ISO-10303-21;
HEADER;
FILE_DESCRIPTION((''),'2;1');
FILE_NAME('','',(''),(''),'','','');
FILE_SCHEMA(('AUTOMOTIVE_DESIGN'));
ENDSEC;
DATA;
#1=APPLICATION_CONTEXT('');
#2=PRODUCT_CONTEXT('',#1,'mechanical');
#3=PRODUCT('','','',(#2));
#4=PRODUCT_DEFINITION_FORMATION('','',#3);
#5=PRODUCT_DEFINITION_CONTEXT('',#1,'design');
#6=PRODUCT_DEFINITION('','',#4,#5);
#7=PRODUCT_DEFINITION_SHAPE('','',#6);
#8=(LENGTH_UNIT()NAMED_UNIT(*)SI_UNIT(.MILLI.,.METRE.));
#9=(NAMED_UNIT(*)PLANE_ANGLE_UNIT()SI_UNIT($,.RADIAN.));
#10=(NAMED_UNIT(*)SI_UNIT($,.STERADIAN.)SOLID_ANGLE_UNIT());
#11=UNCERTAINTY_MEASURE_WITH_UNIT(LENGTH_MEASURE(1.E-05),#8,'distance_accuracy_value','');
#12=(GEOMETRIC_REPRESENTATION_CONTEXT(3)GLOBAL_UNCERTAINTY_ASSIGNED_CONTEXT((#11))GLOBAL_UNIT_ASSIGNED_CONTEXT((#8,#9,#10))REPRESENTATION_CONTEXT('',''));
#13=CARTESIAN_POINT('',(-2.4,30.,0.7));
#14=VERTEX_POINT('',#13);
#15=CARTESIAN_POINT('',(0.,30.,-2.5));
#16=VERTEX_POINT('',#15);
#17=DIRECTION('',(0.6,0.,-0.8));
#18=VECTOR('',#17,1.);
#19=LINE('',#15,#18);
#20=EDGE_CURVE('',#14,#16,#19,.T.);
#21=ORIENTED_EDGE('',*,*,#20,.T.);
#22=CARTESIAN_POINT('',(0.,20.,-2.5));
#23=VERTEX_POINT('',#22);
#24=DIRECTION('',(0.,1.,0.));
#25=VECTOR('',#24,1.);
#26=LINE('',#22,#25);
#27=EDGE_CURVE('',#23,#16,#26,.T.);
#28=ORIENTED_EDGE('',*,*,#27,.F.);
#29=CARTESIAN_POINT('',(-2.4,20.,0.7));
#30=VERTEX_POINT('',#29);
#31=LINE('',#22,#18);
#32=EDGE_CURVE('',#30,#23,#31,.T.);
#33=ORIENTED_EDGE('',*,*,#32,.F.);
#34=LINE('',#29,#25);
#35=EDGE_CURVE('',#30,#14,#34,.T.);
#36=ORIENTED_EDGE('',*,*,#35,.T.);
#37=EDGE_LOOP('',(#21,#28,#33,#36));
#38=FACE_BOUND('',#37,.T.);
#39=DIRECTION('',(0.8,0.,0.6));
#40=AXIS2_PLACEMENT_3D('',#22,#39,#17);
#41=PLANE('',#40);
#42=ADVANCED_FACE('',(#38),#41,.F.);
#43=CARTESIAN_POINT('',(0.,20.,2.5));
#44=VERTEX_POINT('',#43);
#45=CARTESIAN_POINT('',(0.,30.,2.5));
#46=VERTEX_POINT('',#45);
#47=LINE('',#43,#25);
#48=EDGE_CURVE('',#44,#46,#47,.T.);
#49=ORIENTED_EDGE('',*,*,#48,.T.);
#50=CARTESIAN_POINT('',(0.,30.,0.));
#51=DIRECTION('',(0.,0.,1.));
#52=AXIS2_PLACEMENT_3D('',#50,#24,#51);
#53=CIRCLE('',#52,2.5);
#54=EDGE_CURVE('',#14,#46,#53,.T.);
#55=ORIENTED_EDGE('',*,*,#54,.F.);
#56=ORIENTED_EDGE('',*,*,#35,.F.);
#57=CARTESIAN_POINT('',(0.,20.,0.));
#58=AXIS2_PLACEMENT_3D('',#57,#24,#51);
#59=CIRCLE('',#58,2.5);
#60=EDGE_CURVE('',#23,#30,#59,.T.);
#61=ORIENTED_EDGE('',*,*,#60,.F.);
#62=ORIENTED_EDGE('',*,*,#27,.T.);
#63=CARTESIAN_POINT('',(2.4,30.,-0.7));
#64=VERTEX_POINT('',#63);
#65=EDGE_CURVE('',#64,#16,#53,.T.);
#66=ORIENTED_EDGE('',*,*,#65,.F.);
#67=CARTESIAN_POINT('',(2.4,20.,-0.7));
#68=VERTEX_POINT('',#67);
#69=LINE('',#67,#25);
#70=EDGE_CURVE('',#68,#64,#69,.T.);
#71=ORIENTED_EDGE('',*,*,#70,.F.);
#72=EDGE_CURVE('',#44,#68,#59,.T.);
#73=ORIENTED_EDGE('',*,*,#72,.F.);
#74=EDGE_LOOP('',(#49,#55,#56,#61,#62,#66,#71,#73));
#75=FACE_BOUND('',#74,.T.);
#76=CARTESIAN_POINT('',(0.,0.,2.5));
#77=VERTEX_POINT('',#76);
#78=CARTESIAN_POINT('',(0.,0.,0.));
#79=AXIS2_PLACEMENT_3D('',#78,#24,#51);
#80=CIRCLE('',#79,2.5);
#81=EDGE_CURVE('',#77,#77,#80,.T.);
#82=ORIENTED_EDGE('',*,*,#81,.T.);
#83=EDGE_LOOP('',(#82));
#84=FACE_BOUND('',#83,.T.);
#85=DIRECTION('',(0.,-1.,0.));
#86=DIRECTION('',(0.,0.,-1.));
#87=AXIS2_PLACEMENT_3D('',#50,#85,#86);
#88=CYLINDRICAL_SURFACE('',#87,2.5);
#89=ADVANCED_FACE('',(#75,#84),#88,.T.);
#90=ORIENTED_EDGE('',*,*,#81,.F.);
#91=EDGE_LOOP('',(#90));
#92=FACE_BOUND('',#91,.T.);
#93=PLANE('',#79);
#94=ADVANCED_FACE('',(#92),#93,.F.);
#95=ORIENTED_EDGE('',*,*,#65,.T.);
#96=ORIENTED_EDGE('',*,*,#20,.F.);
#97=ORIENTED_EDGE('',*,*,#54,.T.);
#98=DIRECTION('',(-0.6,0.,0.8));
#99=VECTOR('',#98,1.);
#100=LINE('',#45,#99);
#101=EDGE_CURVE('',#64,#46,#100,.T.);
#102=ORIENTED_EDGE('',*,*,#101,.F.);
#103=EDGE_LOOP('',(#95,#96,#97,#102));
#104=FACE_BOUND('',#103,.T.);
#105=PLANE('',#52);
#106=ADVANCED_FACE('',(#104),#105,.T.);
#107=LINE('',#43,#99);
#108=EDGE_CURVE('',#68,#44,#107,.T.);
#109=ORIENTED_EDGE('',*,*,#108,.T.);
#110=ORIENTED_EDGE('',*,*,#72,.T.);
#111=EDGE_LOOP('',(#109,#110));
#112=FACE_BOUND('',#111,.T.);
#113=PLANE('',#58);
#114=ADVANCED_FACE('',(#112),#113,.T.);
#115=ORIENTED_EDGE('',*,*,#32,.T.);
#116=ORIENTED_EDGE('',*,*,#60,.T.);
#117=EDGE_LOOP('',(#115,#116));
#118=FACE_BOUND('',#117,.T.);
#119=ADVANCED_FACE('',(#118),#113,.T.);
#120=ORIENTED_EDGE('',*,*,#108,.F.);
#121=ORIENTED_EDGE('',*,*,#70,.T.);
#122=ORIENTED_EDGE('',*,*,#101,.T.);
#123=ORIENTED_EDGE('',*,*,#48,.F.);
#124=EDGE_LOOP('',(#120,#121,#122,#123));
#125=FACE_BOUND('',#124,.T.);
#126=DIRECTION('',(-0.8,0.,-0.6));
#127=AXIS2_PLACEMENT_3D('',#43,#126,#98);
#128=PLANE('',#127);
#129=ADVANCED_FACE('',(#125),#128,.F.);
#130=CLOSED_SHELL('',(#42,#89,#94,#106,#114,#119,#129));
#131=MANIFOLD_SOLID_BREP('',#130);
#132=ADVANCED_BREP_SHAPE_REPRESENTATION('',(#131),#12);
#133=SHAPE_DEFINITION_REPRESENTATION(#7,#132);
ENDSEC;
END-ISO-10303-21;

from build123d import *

# Parameters (mm, degrees)
SKETCH1_R           = 2.5
BOSS_EXTRUDE1_DEPTH = 30
CUT_EXTRUDE1_START  = -10
CUT_EXTRUDE1_DEPTH  = 10


with BuildPart() as part:
    # Sketch1 → Boss-Extrude1 (new body)
    with BuildSketch(Plane(origin=(0, 0, 0), x_dir=(1, 0, 0), z_dir=(0, 1, 0))):
        with Locations(Location((0, 0, 0), (0, 0, 270))):
            Circle(SKETCH1_R)
    extrude(amount=BOSS_EXTRUDE1_DEPTH)

    # Sketch2 → Cut-Extrude1 (cut)
    with BuildSketch(Plane(origin=(0, 30, 0), x_dir=(1, 0, 0), z_dir=(0, 1, 0)).offset(CUT_EXTRUDE1_START)):
        with BuildLine():
            Line((0, 2.5), (-2.4, -0.7))
            ThreePointArc((-2.4, -0.7), (-2, 1.5), (0, 2.5))
        make_face()
        with BuildLine():
            Line((0, -2.5), (2.4, 0.7))
            ThreePointArc((2.4, 0.7), (2, -1.5), (0, -2.5))
        make_face()
    extrude(amount=CUT_EXTRUDE1_DEPTH, mode=Mode.SUBTRACT)


solid = part.part
